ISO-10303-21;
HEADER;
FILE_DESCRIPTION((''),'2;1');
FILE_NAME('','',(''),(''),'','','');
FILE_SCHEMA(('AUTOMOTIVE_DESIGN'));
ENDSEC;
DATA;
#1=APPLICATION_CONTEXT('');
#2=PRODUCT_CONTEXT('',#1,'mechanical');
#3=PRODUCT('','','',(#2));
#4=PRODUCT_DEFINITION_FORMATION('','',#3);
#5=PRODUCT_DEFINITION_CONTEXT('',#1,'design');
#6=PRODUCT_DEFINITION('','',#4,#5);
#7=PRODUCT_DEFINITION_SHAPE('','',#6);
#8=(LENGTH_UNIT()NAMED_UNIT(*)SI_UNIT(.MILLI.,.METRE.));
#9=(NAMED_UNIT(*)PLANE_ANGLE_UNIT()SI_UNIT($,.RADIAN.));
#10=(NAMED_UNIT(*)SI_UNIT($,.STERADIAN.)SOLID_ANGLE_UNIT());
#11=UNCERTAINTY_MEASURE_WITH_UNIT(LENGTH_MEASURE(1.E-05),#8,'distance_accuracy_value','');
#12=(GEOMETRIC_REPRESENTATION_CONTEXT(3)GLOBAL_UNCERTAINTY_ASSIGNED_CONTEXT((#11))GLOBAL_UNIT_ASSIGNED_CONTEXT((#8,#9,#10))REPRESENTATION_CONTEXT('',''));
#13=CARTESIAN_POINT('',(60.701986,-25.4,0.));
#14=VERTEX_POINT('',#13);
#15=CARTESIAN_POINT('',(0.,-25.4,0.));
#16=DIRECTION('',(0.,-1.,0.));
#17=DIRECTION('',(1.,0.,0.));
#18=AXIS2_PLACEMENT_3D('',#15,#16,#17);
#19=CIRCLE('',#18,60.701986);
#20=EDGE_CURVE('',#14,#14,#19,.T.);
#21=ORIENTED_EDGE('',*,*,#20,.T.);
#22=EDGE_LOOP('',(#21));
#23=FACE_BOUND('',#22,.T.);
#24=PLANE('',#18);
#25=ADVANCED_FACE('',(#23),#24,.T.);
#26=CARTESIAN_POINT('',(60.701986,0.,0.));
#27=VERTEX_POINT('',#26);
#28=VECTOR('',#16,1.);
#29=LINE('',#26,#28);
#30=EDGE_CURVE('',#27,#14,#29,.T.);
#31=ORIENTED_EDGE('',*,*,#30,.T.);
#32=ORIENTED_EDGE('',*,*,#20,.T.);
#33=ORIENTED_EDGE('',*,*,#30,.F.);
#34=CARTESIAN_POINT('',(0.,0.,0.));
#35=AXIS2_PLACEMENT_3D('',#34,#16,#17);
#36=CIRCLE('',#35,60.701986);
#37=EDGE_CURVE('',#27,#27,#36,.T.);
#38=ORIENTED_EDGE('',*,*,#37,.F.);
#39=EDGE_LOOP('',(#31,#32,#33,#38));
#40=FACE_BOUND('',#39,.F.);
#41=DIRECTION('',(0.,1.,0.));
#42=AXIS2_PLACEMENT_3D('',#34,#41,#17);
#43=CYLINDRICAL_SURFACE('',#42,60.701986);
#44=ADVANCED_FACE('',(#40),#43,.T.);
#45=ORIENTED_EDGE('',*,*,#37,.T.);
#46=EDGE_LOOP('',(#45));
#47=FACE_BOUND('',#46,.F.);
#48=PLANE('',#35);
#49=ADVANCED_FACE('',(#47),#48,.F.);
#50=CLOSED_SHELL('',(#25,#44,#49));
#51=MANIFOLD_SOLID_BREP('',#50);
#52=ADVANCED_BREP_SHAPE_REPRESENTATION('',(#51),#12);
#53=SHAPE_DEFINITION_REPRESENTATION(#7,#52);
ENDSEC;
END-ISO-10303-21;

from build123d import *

# Parameters (mm, degrees)
F0_R     = 60.701986
F0_R_2   = 50.507106
F0_R_3   = 39.681626
F0_R_4   = 30.186004
F0_R_5   = 20.234462
F0_R_6   = 9.01338
F1_DEPTH = 25.4


with BuildPart() as f1:
    # F0 (on Front) → F1 (new body)
    with BuildSketch(Plane.XZ):
        Circle(F0_R)
        Circle(F0_R_2, mode=Mode.SUBTRACT)
        Circle(F0_R_2)
        Circle(F0_R_3, mode=Mode.SUBTRACT)
        Circle(F0_R_3)
        Circle(F0_R_4, mode=Mode.SUBTRACT)
        Circle(F0_R_4)
        Circle(F0_R_5, mode=Mode.SUBTRACT)
        Circle(F0_R_5)
        Circle(F0_R_6, mode=Mode.SUBTRACT)
        Circle(F0_R_6)
    extrude(amount=F1_DEPTH)


solid = f1.part
